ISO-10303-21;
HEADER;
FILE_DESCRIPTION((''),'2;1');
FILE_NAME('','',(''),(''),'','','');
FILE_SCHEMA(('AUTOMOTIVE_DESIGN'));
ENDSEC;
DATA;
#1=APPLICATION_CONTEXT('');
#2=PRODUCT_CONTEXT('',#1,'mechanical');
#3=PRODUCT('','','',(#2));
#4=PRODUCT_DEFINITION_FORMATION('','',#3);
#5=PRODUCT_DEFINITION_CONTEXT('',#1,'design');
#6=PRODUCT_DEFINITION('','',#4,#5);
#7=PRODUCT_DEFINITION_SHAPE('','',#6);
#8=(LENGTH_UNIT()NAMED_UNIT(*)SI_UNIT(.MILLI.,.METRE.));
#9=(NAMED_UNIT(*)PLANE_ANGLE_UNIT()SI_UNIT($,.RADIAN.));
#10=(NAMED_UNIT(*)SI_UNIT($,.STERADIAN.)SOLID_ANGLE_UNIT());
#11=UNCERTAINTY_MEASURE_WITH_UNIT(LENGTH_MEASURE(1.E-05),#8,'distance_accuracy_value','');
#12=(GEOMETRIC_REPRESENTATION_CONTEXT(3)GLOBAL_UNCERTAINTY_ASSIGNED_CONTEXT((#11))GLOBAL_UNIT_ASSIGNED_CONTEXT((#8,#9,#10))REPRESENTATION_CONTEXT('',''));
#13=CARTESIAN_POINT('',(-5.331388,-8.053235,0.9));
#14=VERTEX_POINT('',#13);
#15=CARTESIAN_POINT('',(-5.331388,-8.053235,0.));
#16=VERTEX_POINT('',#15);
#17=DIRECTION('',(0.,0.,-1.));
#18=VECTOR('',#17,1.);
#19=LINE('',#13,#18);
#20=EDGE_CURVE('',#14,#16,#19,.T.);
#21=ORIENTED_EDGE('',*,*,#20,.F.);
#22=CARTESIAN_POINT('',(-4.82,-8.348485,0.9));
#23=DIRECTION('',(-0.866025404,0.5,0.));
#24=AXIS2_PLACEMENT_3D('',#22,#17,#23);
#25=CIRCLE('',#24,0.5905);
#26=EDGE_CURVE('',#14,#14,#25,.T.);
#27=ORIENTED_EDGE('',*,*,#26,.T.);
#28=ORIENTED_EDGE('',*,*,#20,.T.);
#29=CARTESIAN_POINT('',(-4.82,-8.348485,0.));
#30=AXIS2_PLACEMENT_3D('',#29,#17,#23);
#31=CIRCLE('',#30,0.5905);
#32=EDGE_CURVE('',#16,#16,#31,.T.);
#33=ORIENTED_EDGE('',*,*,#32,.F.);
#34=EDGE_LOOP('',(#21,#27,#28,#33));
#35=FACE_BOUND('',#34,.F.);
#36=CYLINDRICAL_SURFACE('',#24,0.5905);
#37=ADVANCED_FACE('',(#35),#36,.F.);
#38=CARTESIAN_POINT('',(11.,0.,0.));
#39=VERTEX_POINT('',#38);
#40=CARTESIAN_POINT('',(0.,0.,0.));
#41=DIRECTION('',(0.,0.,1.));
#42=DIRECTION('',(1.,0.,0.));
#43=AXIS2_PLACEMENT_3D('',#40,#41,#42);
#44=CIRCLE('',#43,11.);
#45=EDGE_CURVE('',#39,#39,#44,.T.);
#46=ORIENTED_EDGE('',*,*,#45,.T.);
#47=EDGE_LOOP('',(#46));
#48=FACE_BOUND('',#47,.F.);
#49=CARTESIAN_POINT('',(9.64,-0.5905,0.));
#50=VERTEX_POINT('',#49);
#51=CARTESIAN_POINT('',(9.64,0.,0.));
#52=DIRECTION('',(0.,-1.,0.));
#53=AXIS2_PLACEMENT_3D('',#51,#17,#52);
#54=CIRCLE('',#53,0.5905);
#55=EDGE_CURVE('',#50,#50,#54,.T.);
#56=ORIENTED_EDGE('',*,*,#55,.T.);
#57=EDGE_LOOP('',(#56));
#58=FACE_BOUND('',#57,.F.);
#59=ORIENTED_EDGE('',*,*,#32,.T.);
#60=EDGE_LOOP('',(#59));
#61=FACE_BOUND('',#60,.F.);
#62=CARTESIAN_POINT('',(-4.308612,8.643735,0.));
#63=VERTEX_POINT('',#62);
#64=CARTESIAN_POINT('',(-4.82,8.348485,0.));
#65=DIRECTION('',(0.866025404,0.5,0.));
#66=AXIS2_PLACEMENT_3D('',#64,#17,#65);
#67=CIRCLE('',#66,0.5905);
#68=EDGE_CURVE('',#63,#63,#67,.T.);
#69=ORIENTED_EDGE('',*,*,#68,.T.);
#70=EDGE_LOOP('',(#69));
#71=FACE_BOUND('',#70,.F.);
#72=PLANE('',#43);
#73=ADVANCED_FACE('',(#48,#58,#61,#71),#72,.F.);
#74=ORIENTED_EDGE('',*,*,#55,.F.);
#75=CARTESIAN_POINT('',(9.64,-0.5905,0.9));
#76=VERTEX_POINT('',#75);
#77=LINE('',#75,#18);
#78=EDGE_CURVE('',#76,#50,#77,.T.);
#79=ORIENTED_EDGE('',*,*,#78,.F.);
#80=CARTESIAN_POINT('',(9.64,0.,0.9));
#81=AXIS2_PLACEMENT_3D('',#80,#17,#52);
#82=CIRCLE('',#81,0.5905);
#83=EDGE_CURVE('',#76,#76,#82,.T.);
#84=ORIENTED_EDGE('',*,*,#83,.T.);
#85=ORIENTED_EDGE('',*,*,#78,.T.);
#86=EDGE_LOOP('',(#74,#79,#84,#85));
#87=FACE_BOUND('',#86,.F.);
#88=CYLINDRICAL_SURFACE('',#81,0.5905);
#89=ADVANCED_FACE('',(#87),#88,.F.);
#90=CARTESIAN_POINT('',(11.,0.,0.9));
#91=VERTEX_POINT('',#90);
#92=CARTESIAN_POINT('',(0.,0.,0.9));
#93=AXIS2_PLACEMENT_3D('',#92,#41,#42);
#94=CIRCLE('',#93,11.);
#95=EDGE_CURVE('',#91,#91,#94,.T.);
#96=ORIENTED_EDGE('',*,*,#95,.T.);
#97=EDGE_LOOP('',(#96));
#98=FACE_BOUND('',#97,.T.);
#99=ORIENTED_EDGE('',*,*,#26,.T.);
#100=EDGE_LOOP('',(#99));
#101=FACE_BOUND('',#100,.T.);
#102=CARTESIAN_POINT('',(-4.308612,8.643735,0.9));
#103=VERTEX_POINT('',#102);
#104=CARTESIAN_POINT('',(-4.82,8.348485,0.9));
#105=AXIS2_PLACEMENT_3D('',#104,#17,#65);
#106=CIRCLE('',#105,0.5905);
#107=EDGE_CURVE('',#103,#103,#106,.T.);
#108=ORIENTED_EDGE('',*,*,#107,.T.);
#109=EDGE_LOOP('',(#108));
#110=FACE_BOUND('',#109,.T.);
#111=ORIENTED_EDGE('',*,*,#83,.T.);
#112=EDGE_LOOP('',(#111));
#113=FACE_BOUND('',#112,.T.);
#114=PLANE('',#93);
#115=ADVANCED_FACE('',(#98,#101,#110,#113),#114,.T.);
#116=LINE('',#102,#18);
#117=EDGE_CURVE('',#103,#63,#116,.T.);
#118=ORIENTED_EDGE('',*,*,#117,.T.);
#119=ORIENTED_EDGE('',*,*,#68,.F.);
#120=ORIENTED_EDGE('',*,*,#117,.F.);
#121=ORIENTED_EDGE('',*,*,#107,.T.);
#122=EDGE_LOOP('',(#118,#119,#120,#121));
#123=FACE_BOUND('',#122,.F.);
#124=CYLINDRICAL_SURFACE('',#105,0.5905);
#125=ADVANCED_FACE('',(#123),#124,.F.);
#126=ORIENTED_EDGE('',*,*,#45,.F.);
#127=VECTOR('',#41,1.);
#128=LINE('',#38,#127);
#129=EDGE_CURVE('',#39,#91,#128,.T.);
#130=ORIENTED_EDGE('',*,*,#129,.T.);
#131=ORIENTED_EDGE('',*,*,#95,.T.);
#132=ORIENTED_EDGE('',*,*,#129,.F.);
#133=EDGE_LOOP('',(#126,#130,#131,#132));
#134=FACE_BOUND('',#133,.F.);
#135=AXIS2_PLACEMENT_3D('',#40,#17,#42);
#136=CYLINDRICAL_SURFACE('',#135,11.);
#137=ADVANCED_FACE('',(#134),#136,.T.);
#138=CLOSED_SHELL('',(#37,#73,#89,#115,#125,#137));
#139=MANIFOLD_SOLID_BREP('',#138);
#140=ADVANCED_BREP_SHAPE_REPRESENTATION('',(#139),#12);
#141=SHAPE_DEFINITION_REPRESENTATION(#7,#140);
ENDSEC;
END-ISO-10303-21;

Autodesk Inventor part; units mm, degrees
ref_plane "YZ Plane" through (0, 0, 0) normal (1, 0, 0) x (0, 1, 0)
ref_plane "XZ Plane" through (0, 0, 0) normal (0, 1, 0) x (-1, 0, 0)
ref_plane "XY Plane" through (0, 0, 0) normal (0, 0, 1) x (1, 0, 0)
sketch "Sketch1" plane through (0, 0, 0) normal (0, 0, 1) x (1, 0, 0)
  circle A0 centre (0, 0) radius 11
  dimension "d0" = 22
extrude "Extrusion1" add sketch "Sketch1" along normal blind 0.9
sketch "Sketch2" plane through (0, 0, 0.9) normal (0, 0, 1) x (1, 0, 0)
  circle A0 centre (0, 0) radius 11 projected
  point P0 (9.64, 0)
  dimension "d3" = 9.64
hole "Hole1" at (9.64, 0, 0.9) direction (0, 0, -1) diameter 1.181 depth 8 thread size "0-80 UNF" class "2B" standard "ANSI Unified Screw Threads"
pattern_circular "Circular Pattern1" count 3 over 360 about axis through (0, 0, -10) along (0, 0, 1) of "Hole1"
properties part number "PCB"
